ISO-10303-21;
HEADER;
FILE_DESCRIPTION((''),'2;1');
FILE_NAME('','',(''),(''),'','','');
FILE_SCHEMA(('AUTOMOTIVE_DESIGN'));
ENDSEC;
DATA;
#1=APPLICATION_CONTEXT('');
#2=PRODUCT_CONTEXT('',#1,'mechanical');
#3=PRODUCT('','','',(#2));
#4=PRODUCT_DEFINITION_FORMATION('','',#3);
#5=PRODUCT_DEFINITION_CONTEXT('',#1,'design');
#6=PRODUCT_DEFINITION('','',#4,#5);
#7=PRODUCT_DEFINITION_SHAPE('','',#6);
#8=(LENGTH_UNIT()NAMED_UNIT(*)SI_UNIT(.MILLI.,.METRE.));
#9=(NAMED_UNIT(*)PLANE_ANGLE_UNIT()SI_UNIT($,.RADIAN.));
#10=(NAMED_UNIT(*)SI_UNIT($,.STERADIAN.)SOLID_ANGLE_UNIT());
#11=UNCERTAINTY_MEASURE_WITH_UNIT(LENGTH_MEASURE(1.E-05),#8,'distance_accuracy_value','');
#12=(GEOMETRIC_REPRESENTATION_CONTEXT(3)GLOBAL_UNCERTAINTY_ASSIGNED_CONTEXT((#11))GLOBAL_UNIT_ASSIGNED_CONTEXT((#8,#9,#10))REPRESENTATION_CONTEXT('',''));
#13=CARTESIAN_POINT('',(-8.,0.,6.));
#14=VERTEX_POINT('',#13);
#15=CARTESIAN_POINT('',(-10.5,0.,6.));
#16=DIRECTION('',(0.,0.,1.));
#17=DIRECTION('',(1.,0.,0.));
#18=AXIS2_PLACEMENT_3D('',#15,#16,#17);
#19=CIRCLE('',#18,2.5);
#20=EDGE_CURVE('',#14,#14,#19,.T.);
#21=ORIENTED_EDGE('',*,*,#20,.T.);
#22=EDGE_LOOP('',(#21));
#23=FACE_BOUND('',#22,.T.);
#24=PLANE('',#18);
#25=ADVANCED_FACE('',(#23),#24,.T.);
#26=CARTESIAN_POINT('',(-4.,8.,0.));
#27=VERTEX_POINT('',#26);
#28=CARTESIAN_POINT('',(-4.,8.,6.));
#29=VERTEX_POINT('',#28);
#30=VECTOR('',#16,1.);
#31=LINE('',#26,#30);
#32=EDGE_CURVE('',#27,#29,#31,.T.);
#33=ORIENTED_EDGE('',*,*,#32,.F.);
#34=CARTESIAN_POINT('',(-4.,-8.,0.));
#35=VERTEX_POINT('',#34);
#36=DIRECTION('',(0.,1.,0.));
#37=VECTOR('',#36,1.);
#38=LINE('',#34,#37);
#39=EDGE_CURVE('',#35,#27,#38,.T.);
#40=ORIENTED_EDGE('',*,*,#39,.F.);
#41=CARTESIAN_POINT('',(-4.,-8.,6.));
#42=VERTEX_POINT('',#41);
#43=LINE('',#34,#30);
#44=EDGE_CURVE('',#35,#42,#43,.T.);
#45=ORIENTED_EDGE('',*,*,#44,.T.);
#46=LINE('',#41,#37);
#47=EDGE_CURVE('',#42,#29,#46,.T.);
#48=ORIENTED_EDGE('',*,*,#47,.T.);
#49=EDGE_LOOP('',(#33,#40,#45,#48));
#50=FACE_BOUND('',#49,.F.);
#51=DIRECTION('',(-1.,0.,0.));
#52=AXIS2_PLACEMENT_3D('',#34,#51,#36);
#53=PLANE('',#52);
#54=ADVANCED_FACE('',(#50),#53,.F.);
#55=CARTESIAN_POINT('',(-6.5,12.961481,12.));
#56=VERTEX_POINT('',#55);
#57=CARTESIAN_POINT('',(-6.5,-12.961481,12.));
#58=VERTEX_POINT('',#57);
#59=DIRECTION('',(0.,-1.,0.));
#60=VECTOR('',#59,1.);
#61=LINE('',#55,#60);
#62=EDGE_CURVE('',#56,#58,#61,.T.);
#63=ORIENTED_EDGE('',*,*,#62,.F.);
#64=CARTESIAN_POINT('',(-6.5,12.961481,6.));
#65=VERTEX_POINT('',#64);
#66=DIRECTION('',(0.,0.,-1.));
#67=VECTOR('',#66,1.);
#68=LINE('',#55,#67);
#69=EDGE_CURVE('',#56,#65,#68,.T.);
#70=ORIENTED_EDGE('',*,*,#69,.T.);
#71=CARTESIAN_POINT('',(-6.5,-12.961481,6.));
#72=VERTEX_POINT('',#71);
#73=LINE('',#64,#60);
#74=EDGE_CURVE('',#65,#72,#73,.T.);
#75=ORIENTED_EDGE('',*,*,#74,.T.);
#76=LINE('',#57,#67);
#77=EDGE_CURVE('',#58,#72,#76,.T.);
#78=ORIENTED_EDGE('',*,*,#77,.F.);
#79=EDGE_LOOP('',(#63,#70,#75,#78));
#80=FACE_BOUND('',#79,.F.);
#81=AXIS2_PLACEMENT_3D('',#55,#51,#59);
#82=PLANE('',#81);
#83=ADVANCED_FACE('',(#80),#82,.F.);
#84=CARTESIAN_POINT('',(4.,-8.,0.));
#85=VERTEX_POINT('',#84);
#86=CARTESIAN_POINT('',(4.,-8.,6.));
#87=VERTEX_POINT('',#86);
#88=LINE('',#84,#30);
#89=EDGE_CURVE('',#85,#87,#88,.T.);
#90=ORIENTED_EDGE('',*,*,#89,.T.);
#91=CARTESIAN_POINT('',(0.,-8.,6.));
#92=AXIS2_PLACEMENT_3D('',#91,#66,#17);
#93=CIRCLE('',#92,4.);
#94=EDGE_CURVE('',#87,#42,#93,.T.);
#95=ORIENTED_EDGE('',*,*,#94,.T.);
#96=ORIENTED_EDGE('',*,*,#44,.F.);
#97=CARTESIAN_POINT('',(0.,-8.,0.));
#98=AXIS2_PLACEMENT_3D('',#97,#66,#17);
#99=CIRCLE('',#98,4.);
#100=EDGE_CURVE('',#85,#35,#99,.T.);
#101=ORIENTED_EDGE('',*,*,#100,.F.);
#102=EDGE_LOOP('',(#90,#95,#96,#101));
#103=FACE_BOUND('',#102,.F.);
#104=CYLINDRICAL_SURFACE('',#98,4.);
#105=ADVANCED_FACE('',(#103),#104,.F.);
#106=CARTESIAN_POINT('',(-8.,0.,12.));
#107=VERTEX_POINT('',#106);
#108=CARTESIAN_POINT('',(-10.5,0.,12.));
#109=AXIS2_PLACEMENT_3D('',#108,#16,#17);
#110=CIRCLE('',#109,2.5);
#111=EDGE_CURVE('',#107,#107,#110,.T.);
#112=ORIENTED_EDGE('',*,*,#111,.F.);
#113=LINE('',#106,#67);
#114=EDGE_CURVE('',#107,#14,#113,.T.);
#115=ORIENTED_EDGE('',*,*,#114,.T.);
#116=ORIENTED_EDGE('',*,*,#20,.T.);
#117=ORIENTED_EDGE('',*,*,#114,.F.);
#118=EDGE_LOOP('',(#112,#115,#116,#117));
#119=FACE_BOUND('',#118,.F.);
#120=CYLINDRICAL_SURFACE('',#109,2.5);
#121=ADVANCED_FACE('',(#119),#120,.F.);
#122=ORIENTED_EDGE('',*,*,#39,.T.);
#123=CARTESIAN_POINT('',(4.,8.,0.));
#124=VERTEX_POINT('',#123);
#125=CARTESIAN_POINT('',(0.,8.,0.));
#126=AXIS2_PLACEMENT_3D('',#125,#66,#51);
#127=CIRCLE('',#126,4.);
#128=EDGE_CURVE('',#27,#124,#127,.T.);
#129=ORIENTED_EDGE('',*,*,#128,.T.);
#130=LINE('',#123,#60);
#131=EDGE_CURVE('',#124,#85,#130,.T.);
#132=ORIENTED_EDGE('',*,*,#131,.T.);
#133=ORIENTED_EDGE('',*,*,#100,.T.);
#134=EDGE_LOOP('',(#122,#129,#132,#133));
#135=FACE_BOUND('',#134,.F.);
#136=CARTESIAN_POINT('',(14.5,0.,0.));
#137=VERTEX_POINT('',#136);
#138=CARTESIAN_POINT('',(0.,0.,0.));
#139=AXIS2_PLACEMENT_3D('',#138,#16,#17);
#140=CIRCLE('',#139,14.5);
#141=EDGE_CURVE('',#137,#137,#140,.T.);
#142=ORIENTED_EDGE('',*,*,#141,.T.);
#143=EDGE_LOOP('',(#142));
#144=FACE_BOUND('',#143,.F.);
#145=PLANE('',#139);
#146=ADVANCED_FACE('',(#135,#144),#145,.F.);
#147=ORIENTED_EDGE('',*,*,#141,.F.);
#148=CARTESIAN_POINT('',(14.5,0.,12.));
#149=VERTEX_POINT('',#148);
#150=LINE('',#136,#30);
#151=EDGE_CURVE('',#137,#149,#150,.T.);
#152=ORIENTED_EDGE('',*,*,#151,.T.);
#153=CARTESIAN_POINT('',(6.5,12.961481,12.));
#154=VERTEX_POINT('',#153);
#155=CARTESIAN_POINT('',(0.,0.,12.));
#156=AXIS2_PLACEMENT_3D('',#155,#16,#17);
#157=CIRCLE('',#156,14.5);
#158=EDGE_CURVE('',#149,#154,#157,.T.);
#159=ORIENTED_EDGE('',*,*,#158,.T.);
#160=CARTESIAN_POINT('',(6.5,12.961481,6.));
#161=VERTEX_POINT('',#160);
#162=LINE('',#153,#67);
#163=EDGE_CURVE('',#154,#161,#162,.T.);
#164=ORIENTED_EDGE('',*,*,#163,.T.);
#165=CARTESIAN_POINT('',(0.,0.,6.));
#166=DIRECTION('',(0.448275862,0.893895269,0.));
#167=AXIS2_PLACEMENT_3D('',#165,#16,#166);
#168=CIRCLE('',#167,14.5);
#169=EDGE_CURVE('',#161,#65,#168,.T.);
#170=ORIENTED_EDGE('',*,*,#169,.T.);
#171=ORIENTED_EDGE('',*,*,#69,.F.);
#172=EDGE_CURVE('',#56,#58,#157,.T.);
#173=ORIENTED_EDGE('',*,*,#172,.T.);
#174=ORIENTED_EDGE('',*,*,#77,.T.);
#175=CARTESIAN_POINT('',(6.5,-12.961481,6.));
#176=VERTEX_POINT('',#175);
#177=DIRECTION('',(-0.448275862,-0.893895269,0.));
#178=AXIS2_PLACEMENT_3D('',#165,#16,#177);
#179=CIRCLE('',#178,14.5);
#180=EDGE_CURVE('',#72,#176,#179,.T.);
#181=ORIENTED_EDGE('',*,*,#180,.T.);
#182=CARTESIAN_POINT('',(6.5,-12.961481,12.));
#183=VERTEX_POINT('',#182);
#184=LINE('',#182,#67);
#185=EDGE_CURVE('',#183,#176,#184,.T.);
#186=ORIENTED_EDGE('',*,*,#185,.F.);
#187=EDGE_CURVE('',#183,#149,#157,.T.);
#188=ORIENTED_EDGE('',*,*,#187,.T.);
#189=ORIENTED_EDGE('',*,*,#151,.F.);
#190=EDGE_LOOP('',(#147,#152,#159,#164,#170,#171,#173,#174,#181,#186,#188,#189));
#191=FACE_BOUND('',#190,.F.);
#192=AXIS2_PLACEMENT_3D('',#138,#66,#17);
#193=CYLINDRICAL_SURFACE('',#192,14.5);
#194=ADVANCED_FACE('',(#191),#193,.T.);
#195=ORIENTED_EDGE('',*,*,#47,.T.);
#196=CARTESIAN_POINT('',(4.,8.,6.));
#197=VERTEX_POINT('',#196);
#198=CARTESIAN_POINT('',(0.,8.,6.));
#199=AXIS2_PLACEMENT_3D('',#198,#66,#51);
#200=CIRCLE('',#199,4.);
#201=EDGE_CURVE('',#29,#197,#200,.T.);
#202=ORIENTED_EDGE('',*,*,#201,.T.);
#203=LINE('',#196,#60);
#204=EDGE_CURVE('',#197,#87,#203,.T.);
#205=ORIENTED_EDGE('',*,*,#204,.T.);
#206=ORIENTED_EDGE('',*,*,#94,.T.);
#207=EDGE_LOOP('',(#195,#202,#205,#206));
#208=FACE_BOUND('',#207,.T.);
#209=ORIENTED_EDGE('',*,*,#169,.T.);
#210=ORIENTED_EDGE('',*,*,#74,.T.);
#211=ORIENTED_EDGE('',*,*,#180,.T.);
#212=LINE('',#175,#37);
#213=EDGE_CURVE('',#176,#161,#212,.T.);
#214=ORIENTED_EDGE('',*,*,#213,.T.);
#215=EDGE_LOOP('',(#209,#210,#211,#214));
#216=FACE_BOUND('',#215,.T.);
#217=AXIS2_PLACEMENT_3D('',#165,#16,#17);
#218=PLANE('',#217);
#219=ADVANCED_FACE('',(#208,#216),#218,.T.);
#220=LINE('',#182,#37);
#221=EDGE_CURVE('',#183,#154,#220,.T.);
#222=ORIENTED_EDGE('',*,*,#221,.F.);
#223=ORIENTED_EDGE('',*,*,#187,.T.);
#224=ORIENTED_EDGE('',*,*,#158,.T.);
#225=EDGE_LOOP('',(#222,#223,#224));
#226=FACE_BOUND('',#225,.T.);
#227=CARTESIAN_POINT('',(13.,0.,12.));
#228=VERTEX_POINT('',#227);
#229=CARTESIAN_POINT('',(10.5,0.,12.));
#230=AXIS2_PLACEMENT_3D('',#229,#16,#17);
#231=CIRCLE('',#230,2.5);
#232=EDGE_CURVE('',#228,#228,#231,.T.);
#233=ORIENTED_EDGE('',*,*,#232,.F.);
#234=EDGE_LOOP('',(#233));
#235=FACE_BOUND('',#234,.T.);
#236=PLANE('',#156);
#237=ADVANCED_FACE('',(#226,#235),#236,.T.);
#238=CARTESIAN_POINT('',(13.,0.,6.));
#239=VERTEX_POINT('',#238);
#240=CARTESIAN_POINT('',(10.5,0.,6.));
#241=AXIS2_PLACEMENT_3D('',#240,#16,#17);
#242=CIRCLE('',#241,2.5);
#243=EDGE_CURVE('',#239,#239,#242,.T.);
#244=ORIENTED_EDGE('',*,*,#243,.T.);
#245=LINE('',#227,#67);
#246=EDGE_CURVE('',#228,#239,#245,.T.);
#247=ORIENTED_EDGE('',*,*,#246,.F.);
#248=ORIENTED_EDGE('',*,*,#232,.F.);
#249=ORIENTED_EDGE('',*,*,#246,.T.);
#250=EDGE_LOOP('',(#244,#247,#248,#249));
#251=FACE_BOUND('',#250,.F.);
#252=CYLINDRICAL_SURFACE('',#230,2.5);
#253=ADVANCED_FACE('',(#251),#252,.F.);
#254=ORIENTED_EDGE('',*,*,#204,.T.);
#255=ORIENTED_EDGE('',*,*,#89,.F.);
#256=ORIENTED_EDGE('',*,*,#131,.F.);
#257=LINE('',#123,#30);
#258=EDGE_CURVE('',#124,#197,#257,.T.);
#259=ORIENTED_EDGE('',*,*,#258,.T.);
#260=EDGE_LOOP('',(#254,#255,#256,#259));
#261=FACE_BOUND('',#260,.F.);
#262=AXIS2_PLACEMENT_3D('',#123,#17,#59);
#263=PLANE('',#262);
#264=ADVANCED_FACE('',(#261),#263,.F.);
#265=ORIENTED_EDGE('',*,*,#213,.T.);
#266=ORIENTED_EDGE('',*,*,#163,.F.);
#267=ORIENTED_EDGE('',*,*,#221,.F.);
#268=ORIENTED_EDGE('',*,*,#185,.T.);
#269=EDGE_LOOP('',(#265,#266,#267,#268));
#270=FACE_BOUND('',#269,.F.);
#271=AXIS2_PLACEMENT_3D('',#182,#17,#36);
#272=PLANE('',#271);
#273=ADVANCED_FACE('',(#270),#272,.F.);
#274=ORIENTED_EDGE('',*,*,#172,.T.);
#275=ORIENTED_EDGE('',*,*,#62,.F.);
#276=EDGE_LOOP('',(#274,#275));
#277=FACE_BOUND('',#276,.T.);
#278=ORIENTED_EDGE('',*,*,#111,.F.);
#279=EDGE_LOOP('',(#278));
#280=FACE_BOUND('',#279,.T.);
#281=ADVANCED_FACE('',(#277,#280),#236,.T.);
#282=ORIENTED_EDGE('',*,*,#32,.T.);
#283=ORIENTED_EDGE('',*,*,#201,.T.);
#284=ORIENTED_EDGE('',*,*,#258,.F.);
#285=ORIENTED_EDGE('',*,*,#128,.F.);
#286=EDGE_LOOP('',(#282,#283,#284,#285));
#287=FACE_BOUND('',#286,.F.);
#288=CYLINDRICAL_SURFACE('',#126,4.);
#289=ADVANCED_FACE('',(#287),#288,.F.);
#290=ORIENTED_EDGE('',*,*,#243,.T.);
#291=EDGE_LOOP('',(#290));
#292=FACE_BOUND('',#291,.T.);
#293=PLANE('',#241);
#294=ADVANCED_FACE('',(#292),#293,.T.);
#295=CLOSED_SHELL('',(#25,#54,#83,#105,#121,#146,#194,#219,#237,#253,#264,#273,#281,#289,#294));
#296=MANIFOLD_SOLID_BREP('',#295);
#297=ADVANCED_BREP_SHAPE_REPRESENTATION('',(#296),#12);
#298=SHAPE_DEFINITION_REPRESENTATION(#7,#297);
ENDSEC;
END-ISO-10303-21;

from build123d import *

# Parameters (mm, degrees)
F0_R     = 14.5
F1_DEPTH = 12
F2_R     = 2.5
F3_DEPTH = 6


with BuildPart() as f1:
    # F0 (on Top) → F1 (new body)
    with BuildSketch(Plane.XY):
        Circle(F0_R)
        with BuildLine():
            Line((-4, -8), (-4, 8))
            ThreePointArc((-4, 8), (0, 12), (4, 8))
            Line((4, 8), (4, -8))
            ThreePointArc((4, -8), (0, -12), (-4, -8))
        make_face(mode=Mode.SUBTRACT)
    extrude(amount=F1_DEPTH)

    # F2 (on face) → F3 (cut)
    with BuildSketch(Plane.XY.offset(12)):
        with Locations((-10.5, 0)):
            Circle(F2_R)
        with Locations((10.5, 0)):
            Circle(F2_R)
        with BuildLine():
            ThreePointArc((6.5, 12.9614813968), (0, 14.5), (-6.5, 12.9614813968))
            Line((-6.5, 12.9614813968), (-6.5, -12.9614813968))
            ThreePointArc((-6.5, -12.9614813968), (0, -14.5), (6.5, -12.9614813968))
            Line((6.5, -12.9614813968), (6.5, 12.9614813968))
        make_face()
        with BuildLine():
            ThreePointArc((4, -8), (0, -12), (-4, -8))
            Line((-4, -8), (-4, 8))
            ThreePointArc((-4, 8), (0, 12), (4, 8))
            Line((4, 8), (4, -8))
        make_face(mode=Mode.SUBTRACT)
    extrude(amount=-F3_DEPTH, mode=Mode.SUBTRACT)


solid = f1.part
